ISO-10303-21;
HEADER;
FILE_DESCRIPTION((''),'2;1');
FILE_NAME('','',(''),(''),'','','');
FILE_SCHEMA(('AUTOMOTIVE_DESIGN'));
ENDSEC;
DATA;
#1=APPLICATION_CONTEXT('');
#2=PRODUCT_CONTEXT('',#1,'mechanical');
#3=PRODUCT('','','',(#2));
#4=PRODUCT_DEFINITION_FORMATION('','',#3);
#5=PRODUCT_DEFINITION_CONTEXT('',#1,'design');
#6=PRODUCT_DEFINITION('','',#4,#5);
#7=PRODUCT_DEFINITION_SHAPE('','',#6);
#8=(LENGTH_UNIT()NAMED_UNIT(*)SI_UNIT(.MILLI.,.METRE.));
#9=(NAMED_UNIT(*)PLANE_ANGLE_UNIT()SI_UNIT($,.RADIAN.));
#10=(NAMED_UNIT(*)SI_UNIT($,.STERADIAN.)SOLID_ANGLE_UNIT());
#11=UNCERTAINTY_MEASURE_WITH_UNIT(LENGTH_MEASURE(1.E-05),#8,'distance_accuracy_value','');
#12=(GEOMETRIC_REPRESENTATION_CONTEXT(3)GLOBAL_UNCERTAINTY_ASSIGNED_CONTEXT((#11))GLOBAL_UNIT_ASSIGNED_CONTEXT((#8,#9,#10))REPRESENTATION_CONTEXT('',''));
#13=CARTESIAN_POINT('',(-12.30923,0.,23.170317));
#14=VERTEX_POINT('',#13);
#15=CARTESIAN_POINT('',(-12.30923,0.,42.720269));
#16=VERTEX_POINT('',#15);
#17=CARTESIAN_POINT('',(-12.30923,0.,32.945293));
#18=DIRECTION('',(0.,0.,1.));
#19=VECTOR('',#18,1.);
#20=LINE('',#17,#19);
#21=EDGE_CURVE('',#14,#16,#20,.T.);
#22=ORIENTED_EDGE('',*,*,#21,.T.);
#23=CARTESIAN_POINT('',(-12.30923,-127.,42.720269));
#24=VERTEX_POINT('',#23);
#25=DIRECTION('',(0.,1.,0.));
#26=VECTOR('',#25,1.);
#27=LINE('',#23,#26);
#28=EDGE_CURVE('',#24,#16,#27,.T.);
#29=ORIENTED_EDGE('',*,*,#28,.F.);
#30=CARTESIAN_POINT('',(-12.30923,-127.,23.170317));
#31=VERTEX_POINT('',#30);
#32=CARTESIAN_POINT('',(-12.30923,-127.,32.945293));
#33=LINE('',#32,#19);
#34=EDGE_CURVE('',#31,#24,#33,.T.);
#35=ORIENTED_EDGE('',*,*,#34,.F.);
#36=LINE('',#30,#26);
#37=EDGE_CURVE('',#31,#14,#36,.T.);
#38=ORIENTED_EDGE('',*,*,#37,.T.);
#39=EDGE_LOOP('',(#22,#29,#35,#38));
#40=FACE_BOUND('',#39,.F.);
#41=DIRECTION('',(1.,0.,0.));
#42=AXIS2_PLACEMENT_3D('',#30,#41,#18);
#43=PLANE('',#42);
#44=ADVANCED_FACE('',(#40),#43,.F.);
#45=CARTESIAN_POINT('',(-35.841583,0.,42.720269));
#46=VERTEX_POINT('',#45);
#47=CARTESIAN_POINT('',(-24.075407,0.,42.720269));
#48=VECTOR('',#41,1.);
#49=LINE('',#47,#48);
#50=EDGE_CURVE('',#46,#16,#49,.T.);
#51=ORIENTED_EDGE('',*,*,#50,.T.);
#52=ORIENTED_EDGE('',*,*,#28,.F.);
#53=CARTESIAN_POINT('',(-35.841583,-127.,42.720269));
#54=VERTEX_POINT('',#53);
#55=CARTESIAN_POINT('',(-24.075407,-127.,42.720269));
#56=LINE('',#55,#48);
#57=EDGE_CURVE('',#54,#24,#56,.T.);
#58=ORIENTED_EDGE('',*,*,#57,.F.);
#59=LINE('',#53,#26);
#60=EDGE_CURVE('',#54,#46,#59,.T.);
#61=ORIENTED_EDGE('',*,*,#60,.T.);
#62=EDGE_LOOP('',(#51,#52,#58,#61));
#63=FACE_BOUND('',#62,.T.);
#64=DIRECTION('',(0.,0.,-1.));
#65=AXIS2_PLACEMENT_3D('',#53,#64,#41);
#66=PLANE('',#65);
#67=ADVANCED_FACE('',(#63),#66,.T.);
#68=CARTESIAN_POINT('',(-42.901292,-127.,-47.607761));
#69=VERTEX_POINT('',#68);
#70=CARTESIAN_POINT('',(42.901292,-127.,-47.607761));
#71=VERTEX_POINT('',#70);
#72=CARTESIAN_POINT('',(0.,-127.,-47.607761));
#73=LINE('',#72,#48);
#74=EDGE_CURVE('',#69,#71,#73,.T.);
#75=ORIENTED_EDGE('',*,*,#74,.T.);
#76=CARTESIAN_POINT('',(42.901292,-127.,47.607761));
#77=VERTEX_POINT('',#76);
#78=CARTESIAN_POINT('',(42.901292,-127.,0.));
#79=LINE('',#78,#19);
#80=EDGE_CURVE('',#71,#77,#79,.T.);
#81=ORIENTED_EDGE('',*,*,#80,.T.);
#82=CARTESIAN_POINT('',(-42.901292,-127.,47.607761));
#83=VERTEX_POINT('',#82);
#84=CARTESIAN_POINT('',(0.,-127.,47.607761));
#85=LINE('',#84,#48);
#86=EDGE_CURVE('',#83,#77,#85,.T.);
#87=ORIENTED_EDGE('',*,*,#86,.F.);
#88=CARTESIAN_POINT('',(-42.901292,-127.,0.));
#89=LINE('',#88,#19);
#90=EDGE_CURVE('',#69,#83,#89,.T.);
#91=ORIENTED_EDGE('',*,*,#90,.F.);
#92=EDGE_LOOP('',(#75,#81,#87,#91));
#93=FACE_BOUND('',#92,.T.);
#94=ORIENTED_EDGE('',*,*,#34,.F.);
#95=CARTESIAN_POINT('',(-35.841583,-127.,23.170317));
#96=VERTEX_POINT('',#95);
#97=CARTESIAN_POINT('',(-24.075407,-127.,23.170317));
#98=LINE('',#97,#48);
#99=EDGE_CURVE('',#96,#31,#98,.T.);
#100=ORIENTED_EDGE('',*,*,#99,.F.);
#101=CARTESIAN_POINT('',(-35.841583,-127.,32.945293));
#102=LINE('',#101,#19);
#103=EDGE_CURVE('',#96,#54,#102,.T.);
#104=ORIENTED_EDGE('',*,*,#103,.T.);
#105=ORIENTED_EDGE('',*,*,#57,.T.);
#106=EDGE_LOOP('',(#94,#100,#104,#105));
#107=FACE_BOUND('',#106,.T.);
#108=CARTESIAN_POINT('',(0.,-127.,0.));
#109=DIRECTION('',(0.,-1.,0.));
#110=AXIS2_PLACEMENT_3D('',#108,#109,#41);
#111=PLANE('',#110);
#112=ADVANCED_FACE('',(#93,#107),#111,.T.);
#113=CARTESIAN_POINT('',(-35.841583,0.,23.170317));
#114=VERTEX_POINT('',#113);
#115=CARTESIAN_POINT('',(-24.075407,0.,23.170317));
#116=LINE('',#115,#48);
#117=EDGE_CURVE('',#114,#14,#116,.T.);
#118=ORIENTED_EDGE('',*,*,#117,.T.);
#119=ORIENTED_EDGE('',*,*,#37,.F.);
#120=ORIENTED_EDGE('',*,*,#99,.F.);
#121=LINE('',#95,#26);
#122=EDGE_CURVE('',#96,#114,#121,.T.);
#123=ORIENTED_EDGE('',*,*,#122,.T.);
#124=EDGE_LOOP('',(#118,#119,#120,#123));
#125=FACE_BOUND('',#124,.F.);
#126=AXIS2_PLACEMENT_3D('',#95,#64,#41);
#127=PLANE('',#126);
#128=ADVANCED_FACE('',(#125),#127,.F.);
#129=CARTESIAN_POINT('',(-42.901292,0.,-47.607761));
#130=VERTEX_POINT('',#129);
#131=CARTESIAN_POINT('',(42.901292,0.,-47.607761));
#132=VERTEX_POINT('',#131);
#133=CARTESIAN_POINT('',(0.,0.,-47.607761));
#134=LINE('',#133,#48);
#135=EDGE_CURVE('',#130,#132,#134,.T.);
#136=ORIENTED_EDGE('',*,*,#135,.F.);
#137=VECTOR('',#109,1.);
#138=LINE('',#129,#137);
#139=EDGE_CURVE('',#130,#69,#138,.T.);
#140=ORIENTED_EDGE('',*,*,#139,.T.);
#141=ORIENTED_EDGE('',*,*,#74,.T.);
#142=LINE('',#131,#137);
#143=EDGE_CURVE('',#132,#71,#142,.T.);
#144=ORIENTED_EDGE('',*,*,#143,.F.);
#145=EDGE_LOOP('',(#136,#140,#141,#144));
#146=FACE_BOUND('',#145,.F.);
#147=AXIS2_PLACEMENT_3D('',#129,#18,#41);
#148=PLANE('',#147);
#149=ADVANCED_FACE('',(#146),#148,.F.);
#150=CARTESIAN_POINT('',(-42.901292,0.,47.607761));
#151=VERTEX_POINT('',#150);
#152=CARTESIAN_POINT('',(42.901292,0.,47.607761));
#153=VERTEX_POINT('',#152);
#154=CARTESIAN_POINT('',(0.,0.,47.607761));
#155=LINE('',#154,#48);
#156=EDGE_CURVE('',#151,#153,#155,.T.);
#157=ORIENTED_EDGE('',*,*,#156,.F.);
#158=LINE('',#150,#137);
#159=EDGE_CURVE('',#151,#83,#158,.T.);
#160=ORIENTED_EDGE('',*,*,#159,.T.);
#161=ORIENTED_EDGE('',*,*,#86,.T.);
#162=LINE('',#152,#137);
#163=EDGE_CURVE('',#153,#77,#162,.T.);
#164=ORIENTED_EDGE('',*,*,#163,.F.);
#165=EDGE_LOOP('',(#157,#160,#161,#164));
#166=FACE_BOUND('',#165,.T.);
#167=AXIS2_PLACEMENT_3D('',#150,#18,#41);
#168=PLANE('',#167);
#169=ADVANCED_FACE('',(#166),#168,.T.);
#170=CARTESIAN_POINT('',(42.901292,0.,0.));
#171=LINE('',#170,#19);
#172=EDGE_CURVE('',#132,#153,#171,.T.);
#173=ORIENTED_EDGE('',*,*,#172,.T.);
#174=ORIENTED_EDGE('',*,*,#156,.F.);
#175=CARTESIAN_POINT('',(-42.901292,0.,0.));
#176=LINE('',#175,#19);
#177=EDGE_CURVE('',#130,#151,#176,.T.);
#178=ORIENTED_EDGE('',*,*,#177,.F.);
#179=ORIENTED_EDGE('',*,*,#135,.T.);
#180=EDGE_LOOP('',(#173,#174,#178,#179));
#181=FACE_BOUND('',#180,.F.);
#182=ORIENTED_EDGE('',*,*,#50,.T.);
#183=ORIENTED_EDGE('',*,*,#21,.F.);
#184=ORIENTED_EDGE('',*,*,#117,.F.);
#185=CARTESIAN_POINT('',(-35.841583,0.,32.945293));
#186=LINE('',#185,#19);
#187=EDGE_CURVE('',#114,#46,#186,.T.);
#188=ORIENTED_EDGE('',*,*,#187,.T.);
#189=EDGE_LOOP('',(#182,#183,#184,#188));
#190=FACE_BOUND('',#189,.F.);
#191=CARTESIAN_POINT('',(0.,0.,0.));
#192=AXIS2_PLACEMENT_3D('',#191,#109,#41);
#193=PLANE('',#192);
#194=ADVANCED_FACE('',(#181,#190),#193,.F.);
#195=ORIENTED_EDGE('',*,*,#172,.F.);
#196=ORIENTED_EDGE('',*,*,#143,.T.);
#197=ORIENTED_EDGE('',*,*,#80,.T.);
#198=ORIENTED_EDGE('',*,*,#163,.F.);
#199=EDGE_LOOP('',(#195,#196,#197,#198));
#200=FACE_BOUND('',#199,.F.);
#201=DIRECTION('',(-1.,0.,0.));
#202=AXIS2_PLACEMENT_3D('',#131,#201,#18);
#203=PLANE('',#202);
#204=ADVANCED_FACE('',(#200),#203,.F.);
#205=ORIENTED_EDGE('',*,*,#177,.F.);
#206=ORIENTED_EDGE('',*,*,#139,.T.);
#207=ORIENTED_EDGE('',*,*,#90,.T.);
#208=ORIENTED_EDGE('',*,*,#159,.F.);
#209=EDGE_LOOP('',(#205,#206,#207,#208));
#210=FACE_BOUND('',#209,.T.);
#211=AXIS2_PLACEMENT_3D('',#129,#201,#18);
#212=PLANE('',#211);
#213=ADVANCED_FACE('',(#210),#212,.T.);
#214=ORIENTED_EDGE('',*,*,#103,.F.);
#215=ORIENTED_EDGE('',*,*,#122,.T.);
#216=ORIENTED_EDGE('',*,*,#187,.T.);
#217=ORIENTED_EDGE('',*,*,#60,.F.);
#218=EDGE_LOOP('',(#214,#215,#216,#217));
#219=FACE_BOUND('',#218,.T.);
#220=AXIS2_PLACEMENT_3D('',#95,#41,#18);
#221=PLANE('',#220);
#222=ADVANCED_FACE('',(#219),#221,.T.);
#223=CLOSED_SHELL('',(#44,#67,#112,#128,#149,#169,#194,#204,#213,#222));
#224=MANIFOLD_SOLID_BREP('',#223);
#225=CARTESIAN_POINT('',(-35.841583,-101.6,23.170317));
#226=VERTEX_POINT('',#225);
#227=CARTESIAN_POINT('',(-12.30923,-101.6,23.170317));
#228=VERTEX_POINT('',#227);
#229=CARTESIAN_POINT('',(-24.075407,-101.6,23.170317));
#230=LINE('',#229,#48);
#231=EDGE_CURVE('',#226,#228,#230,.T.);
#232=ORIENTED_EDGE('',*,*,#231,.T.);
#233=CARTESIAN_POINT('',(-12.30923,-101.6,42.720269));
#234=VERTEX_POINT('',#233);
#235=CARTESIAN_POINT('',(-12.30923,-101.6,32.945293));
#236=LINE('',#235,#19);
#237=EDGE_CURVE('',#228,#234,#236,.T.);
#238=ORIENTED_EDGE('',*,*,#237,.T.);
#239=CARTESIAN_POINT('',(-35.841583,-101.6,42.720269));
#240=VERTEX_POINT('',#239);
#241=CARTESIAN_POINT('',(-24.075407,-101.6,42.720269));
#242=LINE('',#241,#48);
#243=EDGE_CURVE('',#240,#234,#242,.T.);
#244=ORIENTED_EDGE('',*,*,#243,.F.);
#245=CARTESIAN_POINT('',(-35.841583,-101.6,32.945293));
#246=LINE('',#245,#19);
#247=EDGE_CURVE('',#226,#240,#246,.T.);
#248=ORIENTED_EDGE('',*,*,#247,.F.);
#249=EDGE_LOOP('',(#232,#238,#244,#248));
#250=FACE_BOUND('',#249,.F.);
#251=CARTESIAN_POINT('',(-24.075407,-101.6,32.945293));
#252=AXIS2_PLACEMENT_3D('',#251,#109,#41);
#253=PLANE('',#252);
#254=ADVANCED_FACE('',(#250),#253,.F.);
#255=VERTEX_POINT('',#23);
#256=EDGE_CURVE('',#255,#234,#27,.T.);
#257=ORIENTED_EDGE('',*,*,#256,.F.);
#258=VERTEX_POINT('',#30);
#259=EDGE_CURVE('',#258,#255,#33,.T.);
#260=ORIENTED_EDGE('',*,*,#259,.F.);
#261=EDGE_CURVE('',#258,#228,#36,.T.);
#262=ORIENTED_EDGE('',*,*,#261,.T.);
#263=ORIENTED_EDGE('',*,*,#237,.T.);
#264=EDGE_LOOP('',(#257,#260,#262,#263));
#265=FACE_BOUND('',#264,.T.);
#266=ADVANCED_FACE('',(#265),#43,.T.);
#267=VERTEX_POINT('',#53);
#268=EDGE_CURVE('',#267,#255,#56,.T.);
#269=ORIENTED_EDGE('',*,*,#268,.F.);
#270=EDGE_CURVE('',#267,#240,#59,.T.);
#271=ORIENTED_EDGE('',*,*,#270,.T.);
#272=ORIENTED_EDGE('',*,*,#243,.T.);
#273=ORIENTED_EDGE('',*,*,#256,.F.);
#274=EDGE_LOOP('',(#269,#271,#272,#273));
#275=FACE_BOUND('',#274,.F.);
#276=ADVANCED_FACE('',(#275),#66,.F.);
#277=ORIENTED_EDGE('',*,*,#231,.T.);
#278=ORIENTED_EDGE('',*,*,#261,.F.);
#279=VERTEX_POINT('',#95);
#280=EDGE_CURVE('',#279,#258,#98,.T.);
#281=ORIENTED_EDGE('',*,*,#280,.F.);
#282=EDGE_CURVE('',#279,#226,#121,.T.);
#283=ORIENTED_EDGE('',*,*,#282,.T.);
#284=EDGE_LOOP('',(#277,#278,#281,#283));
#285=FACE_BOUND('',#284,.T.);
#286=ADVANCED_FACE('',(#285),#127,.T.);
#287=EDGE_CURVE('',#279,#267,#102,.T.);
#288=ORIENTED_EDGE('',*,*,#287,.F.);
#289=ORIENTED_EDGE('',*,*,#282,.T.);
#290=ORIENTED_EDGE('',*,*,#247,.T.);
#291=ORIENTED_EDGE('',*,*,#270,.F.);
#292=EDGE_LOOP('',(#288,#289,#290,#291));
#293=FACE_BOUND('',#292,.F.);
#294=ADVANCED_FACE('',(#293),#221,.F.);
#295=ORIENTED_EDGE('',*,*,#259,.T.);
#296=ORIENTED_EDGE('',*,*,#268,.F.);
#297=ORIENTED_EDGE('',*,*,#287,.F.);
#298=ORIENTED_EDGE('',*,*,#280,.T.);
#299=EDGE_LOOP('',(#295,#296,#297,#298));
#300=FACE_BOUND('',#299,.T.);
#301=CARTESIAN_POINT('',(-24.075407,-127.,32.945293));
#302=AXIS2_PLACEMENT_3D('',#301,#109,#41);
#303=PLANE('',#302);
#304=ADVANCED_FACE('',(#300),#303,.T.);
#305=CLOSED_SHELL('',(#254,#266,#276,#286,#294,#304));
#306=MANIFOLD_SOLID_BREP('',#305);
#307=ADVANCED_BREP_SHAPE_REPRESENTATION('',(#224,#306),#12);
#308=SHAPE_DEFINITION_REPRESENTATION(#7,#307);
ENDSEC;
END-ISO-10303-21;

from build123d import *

# Parameters (mm, degrees)
F0_W     = 85.802584
F0_H     = 95.215522
F1_DEPTH = 127
F2_W     = 23.532353
F2_H     = 19.549951
F3_DEPTH = 127
F4_DEPTH = 25.4


with BuildPart() as f1:
    # F0 (on Front) → F1 (new body)
    with BuildSketch(Plane.XZ):
        Rectangle(F0_W, F0_H)
    extrude(amount=F1_DEPTH)

    # F2 (on face) → F3 (cut)
    with BuildSketch(Plane.XZ.offset(127)):
        with Locations((-24.075407, 32.945293)):
            Rectangle(F2_W, F2_H)
    extrude(amount=-F3_DEPTH, mode=Mode.SUBTRACT)


with BuildPart() as f4:
    # F2 (on face) → F4 (new body)
    with BuildSketch(Plane.XZ.offset(127)):
        with Locations((-24.075407, 32.945293)):
            Rectangle(F2_W, F2_H)
    extrude(amount=-F4_DEPTH)


solid = Compound([f1.part, f4.part])
